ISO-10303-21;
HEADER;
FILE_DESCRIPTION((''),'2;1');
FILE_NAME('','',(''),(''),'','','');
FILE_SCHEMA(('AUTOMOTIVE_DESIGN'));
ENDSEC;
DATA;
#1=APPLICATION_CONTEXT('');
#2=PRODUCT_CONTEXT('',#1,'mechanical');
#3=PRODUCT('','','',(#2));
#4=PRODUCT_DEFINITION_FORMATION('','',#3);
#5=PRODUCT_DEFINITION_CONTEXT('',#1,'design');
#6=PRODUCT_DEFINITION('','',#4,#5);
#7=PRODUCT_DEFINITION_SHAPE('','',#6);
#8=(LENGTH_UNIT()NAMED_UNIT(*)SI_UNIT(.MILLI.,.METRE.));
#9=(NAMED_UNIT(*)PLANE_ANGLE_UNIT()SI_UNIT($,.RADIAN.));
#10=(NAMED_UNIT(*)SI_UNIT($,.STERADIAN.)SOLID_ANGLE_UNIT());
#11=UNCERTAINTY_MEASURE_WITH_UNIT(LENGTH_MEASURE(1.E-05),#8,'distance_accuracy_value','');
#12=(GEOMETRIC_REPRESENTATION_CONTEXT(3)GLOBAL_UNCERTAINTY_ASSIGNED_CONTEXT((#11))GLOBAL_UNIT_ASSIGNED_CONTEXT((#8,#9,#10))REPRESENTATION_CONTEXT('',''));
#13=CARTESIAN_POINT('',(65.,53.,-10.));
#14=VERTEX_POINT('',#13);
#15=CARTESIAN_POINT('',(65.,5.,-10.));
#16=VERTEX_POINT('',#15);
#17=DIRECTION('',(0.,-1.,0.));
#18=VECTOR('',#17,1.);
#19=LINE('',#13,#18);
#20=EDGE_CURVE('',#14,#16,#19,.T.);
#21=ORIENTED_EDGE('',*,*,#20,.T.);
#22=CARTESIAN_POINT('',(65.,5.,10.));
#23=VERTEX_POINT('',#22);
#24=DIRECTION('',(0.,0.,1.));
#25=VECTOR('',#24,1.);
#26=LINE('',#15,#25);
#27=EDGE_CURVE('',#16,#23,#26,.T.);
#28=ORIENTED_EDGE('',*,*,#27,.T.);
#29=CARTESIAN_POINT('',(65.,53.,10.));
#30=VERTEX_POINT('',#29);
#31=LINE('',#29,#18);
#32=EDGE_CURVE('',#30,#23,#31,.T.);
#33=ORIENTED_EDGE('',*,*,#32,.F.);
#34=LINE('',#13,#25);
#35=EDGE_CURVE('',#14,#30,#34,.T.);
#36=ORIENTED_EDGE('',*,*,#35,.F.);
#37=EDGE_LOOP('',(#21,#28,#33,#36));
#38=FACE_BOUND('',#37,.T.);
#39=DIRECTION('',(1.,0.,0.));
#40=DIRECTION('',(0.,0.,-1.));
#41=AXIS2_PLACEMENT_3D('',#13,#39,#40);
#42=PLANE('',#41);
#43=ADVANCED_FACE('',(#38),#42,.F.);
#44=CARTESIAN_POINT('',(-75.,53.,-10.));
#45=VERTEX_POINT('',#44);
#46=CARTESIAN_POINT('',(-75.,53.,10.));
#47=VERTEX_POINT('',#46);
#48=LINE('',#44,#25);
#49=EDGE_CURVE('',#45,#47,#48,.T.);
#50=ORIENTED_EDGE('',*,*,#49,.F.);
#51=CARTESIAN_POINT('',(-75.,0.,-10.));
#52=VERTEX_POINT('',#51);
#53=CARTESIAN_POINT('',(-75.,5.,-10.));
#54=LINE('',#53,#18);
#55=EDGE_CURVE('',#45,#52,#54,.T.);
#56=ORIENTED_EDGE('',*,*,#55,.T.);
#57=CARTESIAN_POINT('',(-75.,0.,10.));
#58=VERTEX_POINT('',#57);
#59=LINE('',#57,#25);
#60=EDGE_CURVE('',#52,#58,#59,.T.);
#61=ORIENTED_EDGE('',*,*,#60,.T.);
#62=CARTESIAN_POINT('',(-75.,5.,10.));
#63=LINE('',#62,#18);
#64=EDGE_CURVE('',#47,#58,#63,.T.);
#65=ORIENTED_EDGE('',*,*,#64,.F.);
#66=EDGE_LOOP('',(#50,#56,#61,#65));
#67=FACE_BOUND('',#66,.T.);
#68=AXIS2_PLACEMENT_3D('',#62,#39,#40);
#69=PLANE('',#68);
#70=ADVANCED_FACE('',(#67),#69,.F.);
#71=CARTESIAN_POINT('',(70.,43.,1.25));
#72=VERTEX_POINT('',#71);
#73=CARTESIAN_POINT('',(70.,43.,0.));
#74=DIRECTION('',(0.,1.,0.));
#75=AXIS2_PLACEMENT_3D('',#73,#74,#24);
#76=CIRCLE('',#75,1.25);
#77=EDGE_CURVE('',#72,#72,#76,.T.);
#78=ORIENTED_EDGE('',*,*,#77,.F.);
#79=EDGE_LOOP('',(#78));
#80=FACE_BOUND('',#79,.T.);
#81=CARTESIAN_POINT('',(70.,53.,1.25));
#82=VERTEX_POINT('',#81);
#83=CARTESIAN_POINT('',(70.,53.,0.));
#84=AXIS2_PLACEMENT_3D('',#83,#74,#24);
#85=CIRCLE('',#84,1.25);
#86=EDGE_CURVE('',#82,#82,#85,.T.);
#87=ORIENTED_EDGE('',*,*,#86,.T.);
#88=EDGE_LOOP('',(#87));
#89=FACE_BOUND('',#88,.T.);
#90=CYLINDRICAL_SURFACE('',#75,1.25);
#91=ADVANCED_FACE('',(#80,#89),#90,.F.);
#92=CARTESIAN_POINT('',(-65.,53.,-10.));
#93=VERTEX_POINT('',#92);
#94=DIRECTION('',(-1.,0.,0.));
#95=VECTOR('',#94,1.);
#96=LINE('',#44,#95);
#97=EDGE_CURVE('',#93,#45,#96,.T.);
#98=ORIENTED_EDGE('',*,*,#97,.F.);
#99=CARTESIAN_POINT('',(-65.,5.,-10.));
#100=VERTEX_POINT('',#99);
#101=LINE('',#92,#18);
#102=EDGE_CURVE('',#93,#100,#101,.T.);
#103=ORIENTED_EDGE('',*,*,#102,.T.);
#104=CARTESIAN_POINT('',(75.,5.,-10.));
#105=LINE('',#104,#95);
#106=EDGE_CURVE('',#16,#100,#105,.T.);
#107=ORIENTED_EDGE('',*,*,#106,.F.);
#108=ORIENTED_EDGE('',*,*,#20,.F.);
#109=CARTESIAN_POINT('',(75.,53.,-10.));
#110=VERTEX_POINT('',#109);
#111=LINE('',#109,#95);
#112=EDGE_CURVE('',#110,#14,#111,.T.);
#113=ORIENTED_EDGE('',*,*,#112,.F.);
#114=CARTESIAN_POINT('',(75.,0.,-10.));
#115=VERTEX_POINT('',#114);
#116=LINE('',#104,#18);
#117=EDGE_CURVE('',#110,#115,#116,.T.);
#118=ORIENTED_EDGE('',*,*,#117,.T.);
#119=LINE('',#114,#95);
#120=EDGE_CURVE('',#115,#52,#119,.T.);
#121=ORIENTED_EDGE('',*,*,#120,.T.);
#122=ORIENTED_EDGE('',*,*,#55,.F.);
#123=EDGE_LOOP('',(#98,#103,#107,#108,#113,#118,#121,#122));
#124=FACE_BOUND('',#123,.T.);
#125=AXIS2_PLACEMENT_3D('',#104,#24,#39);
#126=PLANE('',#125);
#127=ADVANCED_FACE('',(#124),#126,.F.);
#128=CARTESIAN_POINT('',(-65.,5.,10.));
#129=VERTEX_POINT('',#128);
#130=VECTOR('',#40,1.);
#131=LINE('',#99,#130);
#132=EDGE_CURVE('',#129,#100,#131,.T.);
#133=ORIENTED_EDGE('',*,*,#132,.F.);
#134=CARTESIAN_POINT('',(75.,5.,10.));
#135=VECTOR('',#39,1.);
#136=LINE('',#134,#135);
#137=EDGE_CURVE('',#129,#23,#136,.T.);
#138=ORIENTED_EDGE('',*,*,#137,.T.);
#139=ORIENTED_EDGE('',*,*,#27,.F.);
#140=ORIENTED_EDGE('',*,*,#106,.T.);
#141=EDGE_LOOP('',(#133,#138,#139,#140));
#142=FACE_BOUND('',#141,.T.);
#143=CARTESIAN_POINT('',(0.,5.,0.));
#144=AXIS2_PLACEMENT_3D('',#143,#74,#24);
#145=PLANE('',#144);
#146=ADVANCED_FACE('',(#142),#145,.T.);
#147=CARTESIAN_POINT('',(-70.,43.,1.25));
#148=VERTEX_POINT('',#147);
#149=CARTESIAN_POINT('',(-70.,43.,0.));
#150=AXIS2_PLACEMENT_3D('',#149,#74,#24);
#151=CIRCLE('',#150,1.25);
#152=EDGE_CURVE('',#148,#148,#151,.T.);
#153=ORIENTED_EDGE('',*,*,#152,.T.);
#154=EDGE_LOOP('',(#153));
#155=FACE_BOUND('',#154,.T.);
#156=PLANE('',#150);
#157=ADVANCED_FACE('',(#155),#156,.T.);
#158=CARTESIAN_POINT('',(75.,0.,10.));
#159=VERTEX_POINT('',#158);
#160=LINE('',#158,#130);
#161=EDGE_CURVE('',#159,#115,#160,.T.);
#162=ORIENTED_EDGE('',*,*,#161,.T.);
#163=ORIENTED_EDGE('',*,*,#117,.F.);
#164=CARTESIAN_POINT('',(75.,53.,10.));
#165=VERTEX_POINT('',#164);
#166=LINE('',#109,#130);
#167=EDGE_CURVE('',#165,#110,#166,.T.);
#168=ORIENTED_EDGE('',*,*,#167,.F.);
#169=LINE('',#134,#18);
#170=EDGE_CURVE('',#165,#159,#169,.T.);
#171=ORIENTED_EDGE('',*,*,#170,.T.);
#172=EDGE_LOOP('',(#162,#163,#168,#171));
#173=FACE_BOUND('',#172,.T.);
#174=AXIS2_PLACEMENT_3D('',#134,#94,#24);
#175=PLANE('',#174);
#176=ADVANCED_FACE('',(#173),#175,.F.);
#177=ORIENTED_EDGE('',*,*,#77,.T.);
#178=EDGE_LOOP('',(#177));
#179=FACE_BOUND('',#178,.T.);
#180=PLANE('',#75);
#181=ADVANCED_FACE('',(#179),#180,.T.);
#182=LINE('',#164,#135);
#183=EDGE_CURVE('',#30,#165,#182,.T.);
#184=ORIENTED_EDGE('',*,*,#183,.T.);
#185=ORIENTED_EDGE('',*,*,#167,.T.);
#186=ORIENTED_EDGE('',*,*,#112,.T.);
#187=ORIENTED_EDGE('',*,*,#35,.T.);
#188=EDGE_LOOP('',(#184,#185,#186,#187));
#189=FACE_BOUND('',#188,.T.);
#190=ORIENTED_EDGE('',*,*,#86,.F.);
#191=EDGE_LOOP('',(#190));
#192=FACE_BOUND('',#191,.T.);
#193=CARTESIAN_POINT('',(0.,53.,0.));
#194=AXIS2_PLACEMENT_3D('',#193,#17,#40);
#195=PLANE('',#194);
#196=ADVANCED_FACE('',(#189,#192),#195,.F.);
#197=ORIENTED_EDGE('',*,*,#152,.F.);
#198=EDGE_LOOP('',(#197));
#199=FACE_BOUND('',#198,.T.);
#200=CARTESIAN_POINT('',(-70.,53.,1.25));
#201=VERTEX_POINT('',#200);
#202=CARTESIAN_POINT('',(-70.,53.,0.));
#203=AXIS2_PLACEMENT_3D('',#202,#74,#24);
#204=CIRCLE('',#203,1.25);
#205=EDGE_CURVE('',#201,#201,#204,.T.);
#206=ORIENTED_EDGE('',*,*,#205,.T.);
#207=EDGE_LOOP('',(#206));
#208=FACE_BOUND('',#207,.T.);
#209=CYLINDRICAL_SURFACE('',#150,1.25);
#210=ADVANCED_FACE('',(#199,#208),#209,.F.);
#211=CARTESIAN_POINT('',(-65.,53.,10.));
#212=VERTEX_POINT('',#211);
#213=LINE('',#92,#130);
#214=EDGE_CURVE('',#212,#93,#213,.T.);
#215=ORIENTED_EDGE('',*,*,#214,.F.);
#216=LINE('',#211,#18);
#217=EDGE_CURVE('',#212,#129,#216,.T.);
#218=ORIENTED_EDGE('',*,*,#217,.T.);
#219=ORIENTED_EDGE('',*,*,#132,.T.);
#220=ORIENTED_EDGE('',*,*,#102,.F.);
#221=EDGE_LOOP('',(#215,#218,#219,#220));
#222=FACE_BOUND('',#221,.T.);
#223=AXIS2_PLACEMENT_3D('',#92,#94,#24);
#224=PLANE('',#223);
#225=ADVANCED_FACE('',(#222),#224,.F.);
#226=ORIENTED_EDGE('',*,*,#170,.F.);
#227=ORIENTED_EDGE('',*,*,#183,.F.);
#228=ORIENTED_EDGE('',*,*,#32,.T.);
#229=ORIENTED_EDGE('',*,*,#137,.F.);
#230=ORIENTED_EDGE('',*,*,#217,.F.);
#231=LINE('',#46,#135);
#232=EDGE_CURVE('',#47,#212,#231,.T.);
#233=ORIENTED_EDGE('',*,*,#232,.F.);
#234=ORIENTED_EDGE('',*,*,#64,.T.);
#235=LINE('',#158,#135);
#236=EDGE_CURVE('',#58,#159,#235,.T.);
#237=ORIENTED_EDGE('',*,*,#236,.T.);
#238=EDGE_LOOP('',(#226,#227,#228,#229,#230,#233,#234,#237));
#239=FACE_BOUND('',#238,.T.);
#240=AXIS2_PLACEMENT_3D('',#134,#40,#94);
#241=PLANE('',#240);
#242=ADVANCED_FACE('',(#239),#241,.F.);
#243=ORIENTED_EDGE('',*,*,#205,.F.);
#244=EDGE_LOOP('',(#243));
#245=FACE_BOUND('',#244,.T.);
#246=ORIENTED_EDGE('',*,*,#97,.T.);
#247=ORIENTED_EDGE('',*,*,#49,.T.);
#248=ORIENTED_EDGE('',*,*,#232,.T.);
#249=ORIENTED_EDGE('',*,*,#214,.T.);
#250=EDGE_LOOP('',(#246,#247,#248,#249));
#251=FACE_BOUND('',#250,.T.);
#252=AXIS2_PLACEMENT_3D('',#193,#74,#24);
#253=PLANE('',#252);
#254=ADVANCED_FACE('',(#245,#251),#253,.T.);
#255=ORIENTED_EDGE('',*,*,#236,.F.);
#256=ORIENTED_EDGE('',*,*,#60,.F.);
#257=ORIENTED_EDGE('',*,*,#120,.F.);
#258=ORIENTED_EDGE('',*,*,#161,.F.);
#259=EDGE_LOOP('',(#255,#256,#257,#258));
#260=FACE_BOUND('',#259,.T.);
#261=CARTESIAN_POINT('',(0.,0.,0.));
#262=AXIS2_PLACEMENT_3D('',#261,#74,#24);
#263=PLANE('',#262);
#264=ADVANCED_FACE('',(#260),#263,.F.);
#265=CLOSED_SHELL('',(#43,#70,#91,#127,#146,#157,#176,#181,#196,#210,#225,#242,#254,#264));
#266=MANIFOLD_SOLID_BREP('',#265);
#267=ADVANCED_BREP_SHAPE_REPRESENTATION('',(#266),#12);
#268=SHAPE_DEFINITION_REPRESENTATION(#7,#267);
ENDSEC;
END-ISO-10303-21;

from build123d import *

# Parameters (mm, degrees)
CROQUIS1_W              = 150
CROQUIS1_H              = 20
SALIENTE_EXTRUIR1_DEPTH = 5
CROQUIS2_W              = 10
CROQUIS2_H              = 20
SALIENTE_EXTRUIR2_DEPTH = 48
CROQUIS3_R              = 1.25
CORTAR_EXTRUIR1_DEPTH   = 10


with BuildPart() as part:
    # Croquis1 → Saliente-Extruir1 (new body)
    with BuildSketch(Plane(origin=(0, 0, 0), x_dir=(1, 0, 0), z_dir=(0, 1, 0))):
        Rectangle(CROQUIS1_W, CROQUIS1_H)
    extrude(amount=SALIENTE_EXTRUIR1_DEPTH)

    # Croquis2 → Saliente-Extruir2 (add)
    with BuildSketch(Plane(origin=(0, 5, 0), x_dir=(1, 0, 0), z_dir=(0, 1, 0))):
        with Locations((70, 0)):
            Rectangle(CROQUIS2_W, CROQUIS2_H)
        with Locations((-70, 0)):
            Rectangle(CROQUIS2_W, CROQUIS2_H)
    extrude(amount=SALIENTE_EXTRUIR2_DEPTH)

    # Croquis3 → Cortar-Extruir1 (cut)
    with BuildSketch(Plane(origin=(0, 53, 0), x_dir=(1, 0, 0), z_dir=(0, 1, 0))):
        with Locations(Location((-70, 0, 0), (0, 0, 270))):
            Circle(CROQUIS3_R)
        with Locations(Location((70, 0, 0), (0, 0, 270))):
            Circle(CROQUIS3_R)
    extrude(amount=-CORTAR_EXTRUIR1_DEPTH, mode=Mode.SUBTRACT)


solid = part.part
